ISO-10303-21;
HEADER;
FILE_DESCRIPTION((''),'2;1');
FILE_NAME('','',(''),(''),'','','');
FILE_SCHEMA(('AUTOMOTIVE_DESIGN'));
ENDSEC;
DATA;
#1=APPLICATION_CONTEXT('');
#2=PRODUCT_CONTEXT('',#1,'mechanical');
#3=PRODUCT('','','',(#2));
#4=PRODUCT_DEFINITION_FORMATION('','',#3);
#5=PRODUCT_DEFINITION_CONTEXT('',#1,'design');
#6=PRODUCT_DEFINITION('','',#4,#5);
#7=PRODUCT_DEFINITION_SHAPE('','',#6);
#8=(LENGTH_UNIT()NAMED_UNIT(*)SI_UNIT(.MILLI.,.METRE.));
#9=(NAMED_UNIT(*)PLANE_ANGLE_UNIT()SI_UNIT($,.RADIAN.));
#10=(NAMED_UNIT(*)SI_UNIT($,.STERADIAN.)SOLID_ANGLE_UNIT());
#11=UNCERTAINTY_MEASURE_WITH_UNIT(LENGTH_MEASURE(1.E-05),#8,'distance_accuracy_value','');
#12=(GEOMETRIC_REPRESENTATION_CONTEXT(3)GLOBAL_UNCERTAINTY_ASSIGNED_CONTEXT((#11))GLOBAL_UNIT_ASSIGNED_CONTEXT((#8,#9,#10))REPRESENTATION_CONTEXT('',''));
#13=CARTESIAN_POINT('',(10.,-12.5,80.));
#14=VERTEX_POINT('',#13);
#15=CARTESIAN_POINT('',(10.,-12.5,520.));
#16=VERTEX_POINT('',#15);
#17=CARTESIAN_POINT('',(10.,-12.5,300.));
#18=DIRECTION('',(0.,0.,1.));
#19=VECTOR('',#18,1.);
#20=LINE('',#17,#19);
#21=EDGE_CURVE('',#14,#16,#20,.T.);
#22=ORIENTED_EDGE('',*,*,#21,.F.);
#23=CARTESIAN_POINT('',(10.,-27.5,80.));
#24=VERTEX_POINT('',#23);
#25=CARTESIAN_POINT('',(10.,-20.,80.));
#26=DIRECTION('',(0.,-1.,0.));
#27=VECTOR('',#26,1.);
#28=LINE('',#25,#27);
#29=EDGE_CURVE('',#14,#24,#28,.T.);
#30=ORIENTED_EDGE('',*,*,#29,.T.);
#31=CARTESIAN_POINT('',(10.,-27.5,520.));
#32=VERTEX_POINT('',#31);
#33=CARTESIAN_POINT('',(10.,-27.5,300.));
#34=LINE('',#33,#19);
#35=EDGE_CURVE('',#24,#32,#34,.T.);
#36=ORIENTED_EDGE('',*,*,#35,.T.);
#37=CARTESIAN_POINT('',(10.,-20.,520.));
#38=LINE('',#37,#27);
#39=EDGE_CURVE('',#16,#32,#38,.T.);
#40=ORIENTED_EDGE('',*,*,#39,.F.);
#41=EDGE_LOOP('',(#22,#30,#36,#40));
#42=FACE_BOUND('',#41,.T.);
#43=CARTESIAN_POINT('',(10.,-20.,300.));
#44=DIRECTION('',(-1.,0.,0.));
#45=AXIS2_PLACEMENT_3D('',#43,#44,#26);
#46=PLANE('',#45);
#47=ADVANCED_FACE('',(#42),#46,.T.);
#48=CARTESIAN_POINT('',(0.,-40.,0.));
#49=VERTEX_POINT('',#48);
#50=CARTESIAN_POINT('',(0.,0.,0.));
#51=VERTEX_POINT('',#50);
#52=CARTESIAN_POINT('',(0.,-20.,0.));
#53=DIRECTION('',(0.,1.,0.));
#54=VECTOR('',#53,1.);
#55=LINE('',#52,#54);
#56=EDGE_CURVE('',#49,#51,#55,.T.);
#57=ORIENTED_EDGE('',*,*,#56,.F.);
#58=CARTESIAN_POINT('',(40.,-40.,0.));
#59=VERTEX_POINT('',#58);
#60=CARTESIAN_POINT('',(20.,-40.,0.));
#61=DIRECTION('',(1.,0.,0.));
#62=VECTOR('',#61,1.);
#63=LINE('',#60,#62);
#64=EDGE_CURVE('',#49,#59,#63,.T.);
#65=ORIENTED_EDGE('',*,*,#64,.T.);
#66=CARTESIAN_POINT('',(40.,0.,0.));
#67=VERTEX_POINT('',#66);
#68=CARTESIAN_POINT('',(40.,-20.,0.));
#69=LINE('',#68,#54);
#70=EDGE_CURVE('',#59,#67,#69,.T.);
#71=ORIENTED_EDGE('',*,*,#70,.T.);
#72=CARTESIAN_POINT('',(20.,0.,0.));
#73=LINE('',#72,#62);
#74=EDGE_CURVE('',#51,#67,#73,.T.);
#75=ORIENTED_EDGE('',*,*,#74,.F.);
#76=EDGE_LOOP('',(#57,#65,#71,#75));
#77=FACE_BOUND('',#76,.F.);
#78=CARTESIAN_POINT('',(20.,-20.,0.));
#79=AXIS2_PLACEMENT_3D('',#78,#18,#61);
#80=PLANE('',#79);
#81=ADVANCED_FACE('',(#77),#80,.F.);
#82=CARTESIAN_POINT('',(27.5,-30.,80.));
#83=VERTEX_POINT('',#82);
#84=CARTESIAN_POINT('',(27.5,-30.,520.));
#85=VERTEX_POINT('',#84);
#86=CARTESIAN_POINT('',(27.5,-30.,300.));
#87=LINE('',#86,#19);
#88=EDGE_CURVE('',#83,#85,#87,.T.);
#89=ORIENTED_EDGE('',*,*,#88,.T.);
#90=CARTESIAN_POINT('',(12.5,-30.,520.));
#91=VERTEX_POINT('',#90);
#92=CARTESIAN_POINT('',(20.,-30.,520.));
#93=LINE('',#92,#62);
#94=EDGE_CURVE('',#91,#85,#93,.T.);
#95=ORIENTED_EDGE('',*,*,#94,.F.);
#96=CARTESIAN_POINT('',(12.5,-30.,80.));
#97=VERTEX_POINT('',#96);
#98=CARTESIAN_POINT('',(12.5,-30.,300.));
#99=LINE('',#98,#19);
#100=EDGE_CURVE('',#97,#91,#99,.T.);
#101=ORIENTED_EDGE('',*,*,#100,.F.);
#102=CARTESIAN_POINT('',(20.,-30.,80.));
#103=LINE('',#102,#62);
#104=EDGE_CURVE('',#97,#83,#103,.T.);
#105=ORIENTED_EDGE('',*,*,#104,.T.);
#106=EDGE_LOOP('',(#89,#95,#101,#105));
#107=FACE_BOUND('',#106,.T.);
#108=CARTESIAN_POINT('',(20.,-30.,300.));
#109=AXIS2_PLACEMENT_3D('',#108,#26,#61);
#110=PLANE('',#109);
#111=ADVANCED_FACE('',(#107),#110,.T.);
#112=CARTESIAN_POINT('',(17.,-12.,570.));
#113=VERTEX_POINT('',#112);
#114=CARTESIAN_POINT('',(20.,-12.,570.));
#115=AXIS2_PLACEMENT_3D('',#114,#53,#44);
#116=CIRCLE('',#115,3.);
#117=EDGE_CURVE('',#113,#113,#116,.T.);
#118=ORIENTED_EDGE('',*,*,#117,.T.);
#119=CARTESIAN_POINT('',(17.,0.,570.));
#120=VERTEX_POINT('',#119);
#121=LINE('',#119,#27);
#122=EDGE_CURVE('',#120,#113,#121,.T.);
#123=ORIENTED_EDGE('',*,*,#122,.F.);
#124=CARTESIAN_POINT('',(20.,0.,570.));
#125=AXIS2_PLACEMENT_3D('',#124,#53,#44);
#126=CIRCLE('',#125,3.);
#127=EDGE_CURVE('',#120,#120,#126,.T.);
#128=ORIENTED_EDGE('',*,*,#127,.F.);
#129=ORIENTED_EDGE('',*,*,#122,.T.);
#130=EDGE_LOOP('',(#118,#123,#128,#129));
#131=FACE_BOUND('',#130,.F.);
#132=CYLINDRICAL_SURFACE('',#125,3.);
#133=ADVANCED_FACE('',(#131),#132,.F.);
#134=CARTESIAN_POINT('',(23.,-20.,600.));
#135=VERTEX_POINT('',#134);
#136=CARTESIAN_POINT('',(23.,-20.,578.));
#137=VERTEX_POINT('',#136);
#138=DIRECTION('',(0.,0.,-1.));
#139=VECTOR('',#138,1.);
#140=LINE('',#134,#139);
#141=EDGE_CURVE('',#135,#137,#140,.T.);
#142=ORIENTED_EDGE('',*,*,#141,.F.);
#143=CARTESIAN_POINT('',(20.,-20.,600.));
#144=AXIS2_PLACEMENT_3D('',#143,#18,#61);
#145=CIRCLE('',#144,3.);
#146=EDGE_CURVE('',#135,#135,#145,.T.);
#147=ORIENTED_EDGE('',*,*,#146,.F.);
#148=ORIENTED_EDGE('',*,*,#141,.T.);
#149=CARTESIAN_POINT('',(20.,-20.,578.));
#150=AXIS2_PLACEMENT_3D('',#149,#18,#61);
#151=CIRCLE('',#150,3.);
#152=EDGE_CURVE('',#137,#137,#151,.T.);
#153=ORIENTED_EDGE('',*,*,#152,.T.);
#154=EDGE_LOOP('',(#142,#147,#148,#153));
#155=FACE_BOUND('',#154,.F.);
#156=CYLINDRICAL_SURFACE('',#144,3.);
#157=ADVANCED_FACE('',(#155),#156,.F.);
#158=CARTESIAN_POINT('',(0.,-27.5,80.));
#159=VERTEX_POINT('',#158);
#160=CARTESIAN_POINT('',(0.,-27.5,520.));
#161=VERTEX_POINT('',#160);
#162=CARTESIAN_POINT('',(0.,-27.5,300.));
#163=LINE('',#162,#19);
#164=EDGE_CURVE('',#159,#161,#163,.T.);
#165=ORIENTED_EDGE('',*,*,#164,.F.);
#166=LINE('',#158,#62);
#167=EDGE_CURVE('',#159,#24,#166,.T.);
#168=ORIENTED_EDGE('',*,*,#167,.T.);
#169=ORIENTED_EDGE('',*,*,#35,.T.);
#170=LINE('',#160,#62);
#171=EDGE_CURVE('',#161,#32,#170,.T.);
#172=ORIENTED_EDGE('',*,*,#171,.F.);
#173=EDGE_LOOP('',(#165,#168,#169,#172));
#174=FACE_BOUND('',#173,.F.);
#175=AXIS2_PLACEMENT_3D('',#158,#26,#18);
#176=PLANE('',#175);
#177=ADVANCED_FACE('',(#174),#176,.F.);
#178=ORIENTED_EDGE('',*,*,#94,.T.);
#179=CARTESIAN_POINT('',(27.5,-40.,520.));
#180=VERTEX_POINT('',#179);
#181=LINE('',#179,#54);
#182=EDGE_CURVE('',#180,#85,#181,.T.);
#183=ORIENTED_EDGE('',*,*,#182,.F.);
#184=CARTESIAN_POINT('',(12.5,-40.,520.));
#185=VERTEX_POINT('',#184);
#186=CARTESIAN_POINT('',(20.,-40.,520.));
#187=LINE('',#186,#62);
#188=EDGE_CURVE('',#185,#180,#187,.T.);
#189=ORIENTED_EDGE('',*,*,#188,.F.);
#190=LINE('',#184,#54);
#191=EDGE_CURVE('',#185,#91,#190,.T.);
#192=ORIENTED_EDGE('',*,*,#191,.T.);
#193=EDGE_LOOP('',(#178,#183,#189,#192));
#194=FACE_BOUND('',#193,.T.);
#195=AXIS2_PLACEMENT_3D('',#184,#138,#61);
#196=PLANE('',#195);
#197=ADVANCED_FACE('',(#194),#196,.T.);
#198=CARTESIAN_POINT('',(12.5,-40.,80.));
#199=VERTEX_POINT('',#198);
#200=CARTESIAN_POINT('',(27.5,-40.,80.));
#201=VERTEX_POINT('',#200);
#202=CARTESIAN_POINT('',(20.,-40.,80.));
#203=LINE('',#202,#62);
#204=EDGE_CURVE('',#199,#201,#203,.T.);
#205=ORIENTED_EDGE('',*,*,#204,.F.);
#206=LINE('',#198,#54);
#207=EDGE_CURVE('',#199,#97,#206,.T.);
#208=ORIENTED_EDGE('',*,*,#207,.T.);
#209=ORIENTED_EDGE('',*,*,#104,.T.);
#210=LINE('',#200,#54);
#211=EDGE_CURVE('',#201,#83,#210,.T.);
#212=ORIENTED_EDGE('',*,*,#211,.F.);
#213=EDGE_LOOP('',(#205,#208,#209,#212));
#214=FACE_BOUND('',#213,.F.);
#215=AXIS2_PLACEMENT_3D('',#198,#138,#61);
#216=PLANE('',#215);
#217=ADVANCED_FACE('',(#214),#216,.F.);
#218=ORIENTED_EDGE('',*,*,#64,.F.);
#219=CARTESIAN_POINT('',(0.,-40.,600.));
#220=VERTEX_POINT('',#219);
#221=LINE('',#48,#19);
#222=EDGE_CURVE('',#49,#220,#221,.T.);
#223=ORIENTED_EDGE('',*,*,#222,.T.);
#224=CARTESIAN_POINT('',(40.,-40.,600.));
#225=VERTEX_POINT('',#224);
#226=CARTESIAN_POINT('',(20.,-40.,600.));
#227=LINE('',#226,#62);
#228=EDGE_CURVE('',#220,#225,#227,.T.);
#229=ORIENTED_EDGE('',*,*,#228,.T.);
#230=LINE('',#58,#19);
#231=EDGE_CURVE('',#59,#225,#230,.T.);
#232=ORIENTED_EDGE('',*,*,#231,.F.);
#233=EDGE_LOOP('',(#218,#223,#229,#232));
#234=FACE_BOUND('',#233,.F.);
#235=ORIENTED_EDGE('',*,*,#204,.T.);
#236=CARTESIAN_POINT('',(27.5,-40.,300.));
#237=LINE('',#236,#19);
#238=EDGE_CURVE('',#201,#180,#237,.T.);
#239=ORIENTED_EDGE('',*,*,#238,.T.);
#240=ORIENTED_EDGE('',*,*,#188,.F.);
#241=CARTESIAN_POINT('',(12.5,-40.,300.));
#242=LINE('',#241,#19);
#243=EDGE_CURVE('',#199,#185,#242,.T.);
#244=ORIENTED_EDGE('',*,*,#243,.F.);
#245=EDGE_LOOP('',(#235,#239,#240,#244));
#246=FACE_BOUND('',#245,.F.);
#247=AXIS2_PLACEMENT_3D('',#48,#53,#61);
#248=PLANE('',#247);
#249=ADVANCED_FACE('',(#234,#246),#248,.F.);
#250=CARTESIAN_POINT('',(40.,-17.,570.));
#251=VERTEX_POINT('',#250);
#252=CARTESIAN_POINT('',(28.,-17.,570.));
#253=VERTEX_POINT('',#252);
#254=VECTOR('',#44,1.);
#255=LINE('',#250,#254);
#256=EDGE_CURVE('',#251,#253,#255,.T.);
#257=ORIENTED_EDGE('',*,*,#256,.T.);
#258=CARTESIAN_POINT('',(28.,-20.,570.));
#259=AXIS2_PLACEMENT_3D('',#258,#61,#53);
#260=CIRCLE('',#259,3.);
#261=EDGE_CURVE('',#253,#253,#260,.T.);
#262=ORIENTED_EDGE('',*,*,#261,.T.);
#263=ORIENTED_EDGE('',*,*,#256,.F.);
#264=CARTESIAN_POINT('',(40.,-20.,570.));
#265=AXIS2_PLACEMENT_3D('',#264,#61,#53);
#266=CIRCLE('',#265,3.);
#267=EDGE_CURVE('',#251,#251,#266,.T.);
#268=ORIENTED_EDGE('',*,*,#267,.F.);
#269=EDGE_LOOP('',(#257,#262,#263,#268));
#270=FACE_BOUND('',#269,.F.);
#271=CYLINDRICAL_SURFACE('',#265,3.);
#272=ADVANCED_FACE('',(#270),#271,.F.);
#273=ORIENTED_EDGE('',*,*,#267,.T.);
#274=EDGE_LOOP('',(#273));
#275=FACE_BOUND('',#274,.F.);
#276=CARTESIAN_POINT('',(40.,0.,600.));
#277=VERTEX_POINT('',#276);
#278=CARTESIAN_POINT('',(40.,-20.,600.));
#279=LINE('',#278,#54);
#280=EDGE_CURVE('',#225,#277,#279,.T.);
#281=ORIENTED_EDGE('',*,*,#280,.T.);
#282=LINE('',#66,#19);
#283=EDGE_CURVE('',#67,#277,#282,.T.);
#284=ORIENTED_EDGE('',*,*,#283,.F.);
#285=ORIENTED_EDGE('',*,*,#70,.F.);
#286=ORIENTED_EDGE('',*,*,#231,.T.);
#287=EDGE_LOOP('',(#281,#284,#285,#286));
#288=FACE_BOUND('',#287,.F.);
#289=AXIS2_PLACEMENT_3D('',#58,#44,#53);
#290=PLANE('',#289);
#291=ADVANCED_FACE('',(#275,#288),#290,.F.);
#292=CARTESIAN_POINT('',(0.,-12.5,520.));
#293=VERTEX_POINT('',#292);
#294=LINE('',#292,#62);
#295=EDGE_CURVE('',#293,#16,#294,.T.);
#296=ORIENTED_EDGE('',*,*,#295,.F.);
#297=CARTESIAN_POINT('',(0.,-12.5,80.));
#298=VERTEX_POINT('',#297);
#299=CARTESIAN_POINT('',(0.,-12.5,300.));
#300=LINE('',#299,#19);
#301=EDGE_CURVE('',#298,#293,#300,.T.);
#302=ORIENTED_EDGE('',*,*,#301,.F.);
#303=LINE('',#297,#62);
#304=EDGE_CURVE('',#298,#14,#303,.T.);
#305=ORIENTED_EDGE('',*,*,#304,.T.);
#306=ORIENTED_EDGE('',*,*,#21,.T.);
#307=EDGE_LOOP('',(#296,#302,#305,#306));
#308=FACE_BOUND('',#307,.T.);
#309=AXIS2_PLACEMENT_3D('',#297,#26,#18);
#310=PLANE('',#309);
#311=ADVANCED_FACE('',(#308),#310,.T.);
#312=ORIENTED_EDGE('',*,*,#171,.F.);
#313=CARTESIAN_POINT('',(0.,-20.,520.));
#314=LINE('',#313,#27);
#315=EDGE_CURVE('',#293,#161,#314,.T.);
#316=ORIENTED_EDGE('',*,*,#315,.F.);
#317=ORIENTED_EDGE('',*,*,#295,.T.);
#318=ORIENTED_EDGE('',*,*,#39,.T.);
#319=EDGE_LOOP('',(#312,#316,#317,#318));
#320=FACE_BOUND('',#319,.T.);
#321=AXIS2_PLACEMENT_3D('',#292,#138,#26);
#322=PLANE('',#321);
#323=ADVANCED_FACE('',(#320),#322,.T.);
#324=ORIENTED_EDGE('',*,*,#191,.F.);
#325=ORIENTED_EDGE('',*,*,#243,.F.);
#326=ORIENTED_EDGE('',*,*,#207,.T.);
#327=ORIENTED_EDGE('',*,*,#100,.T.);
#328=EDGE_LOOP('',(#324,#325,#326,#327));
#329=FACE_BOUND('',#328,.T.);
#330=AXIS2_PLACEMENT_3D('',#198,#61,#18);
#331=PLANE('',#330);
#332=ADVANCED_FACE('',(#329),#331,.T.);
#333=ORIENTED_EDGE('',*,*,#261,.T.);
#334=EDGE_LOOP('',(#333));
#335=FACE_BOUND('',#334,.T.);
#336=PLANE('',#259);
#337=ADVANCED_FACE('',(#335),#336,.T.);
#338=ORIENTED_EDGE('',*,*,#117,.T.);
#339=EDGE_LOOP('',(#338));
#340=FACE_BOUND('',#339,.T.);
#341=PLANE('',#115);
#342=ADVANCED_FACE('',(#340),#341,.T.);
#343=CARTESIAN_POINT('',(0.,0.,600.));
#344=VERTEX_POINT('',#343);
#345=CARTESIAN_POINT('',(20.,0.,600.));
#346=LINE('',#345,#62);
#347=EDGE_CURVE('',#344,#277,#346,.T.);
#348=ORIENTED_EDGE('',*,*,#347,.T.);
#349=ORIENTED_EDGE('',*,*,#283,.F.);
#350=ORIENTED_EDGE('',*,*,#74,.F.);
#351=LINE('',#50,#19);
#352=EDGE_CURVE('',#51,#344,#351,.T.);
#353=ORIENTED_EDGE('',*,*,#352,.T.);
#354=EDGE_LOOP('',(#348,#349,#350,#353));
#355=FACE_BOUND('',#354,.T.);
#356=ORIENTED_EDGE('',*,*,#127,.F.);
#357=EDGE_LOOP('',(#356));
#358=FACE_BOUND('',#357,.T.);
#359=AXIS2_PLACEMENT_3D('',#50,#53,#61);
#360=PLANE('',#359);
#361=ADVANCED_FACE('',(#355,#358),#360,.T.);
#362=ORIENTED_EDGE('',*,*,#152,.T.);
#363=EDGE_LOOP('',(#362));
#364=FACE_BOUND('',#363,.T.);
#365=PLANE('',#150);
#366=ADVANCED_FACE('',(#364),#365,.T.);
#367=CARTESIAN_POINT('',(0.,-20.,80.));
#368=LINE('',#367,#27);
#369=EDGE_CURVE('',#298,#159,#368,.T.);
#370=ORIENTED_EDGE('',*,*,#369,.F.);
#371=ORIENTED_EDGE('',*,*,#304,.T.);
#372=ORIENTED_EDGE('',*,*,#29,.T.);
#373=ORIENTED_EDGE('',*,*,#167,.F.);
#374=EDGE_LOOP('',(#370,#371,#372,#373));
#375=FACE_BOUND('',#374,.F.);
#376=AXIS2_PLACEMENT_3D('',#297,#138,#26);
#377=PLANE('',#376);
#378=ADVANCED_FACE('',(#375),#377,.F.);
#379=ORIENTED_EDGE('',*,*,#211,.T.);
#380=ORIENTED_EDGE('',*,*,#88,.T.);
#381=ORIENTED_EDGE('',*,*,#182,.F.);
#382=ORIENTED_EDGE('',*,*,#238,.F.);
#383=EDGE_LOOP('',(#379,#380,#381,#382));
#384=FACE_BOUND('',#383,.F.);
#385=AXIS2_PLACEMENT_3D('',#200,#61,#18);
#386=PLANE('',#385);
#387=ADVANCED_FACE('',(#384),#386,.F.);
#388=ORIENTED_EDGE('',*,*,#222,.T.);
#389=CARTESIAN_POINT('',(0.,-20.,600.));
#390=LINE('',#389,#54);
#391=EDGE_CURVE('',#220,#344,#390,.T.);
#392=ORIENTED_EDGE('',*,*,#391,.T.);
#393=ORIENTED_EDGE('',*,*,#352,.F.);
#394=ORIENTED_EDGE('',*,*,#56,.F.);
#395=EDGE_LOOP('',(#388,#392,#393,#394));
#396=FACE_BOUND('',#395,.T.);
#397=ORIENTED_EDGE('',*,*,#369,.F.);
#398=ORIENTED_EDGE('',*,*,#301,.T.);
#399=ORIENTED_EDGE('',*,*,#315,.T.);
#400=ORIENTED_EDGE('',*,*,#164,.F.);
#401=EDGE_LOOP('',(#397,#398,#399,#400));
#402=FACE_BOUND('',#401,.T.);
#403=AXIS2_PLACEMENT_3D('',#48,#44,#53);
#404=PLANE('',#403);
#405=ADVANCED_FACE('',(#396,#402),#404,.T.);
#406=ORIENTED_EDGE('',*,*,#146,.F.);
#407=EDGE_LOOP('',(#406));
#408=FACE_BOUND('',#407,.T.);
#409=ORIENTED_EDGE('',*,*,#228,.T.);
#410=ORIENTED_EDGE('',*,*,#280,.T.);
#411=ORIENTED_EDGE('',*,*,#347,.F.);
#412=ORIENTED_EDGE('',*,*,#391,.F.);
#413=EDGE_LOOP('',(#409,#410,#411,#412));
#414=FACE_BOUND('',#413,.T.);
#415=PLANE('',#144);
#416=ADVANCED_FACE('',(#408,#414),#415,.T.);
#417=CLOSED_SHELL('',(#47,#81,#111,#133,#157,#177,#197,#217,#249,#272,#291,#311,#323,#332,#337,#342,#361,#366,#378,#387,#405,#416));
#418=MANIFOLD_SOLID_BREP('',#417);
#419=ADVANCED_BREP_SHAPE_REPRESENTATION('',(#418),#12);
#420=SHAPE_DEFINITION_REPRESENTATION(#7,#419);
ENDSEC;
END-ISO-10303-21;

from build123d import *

# Parameters (mm, degrees)
F0_W      = 40
F0_H      = 40
F1_DEPTH  = 600
F2_R      = 3
F3_DEPTH  = 12
F4_R      = 3
F5_DEPTH  = 12
F6_R      = 3
F7_DEPTH  = 22
F8_W      = 15
F8_H      = 440
F9_DEPTH  = 10
F10_W     = 15
F10_H     = 440
F11_DEPTH = 10


with BuildPart() as f1:
    # F0 (on Top) → F1 (new body)
    with BuildSketch(Plane.XY):
        with Locations((20, -20)):
            Rectangle(F0_W, F0_H)
    extrude(amount=F1_DEPTH)

    # F2 (on face) → F3 (cut)
    with BuildSketch(Plane.YZ.offset(40)):
        with Locations((-20, 570)):
            Circle(F2_R)
    extrude(amount=-F3_DEPTH, mode=Mode.SUBTRACT)

    # F4 (on face) → F5 (cut)
    with BuildSketch(Plane(origin=(0, 0, 0), x_dir=(-1, 0, 0), z_dir=(0, 1, 0))):
        with Locations((-20, 570)):
            Circle(F4_R)
    extrude(amount=-F5_DEPTH, mode=Mode.SUBTRACT)

    # F6 (on face) → F7 (cut)
    with BuildSketch(Plane.XY.offset(600)):
        with Locations((20, -20)):
            Circle(F6_R)
    extrude(amount=-F7_DEPTH, mode=Mode.SUBTRACT)

    # F8 (on face) → F9 (cut)
    with BuildSketch(Plane.XZ.offset(40)):
        with Locations((20, 300)):
            Rectangle(F8_W, F8_H)
    extrude(amount=-F9_DEPTH, mode=Mode.SUBTRACT)

    # F10 (on face) → F11 (cut)
    with BuildSketch(Plane(origin=(0, 0, 0), x_dir=(0, -1, 0), z_dir=(-1, 0, 0))):
        with Locations((20, 300)):
            Rectangle(F10_W, F10_H)
    extrude(amount=-F11_DEPTH, mode=Mode.SUBTRACT)


solid = f1.part
